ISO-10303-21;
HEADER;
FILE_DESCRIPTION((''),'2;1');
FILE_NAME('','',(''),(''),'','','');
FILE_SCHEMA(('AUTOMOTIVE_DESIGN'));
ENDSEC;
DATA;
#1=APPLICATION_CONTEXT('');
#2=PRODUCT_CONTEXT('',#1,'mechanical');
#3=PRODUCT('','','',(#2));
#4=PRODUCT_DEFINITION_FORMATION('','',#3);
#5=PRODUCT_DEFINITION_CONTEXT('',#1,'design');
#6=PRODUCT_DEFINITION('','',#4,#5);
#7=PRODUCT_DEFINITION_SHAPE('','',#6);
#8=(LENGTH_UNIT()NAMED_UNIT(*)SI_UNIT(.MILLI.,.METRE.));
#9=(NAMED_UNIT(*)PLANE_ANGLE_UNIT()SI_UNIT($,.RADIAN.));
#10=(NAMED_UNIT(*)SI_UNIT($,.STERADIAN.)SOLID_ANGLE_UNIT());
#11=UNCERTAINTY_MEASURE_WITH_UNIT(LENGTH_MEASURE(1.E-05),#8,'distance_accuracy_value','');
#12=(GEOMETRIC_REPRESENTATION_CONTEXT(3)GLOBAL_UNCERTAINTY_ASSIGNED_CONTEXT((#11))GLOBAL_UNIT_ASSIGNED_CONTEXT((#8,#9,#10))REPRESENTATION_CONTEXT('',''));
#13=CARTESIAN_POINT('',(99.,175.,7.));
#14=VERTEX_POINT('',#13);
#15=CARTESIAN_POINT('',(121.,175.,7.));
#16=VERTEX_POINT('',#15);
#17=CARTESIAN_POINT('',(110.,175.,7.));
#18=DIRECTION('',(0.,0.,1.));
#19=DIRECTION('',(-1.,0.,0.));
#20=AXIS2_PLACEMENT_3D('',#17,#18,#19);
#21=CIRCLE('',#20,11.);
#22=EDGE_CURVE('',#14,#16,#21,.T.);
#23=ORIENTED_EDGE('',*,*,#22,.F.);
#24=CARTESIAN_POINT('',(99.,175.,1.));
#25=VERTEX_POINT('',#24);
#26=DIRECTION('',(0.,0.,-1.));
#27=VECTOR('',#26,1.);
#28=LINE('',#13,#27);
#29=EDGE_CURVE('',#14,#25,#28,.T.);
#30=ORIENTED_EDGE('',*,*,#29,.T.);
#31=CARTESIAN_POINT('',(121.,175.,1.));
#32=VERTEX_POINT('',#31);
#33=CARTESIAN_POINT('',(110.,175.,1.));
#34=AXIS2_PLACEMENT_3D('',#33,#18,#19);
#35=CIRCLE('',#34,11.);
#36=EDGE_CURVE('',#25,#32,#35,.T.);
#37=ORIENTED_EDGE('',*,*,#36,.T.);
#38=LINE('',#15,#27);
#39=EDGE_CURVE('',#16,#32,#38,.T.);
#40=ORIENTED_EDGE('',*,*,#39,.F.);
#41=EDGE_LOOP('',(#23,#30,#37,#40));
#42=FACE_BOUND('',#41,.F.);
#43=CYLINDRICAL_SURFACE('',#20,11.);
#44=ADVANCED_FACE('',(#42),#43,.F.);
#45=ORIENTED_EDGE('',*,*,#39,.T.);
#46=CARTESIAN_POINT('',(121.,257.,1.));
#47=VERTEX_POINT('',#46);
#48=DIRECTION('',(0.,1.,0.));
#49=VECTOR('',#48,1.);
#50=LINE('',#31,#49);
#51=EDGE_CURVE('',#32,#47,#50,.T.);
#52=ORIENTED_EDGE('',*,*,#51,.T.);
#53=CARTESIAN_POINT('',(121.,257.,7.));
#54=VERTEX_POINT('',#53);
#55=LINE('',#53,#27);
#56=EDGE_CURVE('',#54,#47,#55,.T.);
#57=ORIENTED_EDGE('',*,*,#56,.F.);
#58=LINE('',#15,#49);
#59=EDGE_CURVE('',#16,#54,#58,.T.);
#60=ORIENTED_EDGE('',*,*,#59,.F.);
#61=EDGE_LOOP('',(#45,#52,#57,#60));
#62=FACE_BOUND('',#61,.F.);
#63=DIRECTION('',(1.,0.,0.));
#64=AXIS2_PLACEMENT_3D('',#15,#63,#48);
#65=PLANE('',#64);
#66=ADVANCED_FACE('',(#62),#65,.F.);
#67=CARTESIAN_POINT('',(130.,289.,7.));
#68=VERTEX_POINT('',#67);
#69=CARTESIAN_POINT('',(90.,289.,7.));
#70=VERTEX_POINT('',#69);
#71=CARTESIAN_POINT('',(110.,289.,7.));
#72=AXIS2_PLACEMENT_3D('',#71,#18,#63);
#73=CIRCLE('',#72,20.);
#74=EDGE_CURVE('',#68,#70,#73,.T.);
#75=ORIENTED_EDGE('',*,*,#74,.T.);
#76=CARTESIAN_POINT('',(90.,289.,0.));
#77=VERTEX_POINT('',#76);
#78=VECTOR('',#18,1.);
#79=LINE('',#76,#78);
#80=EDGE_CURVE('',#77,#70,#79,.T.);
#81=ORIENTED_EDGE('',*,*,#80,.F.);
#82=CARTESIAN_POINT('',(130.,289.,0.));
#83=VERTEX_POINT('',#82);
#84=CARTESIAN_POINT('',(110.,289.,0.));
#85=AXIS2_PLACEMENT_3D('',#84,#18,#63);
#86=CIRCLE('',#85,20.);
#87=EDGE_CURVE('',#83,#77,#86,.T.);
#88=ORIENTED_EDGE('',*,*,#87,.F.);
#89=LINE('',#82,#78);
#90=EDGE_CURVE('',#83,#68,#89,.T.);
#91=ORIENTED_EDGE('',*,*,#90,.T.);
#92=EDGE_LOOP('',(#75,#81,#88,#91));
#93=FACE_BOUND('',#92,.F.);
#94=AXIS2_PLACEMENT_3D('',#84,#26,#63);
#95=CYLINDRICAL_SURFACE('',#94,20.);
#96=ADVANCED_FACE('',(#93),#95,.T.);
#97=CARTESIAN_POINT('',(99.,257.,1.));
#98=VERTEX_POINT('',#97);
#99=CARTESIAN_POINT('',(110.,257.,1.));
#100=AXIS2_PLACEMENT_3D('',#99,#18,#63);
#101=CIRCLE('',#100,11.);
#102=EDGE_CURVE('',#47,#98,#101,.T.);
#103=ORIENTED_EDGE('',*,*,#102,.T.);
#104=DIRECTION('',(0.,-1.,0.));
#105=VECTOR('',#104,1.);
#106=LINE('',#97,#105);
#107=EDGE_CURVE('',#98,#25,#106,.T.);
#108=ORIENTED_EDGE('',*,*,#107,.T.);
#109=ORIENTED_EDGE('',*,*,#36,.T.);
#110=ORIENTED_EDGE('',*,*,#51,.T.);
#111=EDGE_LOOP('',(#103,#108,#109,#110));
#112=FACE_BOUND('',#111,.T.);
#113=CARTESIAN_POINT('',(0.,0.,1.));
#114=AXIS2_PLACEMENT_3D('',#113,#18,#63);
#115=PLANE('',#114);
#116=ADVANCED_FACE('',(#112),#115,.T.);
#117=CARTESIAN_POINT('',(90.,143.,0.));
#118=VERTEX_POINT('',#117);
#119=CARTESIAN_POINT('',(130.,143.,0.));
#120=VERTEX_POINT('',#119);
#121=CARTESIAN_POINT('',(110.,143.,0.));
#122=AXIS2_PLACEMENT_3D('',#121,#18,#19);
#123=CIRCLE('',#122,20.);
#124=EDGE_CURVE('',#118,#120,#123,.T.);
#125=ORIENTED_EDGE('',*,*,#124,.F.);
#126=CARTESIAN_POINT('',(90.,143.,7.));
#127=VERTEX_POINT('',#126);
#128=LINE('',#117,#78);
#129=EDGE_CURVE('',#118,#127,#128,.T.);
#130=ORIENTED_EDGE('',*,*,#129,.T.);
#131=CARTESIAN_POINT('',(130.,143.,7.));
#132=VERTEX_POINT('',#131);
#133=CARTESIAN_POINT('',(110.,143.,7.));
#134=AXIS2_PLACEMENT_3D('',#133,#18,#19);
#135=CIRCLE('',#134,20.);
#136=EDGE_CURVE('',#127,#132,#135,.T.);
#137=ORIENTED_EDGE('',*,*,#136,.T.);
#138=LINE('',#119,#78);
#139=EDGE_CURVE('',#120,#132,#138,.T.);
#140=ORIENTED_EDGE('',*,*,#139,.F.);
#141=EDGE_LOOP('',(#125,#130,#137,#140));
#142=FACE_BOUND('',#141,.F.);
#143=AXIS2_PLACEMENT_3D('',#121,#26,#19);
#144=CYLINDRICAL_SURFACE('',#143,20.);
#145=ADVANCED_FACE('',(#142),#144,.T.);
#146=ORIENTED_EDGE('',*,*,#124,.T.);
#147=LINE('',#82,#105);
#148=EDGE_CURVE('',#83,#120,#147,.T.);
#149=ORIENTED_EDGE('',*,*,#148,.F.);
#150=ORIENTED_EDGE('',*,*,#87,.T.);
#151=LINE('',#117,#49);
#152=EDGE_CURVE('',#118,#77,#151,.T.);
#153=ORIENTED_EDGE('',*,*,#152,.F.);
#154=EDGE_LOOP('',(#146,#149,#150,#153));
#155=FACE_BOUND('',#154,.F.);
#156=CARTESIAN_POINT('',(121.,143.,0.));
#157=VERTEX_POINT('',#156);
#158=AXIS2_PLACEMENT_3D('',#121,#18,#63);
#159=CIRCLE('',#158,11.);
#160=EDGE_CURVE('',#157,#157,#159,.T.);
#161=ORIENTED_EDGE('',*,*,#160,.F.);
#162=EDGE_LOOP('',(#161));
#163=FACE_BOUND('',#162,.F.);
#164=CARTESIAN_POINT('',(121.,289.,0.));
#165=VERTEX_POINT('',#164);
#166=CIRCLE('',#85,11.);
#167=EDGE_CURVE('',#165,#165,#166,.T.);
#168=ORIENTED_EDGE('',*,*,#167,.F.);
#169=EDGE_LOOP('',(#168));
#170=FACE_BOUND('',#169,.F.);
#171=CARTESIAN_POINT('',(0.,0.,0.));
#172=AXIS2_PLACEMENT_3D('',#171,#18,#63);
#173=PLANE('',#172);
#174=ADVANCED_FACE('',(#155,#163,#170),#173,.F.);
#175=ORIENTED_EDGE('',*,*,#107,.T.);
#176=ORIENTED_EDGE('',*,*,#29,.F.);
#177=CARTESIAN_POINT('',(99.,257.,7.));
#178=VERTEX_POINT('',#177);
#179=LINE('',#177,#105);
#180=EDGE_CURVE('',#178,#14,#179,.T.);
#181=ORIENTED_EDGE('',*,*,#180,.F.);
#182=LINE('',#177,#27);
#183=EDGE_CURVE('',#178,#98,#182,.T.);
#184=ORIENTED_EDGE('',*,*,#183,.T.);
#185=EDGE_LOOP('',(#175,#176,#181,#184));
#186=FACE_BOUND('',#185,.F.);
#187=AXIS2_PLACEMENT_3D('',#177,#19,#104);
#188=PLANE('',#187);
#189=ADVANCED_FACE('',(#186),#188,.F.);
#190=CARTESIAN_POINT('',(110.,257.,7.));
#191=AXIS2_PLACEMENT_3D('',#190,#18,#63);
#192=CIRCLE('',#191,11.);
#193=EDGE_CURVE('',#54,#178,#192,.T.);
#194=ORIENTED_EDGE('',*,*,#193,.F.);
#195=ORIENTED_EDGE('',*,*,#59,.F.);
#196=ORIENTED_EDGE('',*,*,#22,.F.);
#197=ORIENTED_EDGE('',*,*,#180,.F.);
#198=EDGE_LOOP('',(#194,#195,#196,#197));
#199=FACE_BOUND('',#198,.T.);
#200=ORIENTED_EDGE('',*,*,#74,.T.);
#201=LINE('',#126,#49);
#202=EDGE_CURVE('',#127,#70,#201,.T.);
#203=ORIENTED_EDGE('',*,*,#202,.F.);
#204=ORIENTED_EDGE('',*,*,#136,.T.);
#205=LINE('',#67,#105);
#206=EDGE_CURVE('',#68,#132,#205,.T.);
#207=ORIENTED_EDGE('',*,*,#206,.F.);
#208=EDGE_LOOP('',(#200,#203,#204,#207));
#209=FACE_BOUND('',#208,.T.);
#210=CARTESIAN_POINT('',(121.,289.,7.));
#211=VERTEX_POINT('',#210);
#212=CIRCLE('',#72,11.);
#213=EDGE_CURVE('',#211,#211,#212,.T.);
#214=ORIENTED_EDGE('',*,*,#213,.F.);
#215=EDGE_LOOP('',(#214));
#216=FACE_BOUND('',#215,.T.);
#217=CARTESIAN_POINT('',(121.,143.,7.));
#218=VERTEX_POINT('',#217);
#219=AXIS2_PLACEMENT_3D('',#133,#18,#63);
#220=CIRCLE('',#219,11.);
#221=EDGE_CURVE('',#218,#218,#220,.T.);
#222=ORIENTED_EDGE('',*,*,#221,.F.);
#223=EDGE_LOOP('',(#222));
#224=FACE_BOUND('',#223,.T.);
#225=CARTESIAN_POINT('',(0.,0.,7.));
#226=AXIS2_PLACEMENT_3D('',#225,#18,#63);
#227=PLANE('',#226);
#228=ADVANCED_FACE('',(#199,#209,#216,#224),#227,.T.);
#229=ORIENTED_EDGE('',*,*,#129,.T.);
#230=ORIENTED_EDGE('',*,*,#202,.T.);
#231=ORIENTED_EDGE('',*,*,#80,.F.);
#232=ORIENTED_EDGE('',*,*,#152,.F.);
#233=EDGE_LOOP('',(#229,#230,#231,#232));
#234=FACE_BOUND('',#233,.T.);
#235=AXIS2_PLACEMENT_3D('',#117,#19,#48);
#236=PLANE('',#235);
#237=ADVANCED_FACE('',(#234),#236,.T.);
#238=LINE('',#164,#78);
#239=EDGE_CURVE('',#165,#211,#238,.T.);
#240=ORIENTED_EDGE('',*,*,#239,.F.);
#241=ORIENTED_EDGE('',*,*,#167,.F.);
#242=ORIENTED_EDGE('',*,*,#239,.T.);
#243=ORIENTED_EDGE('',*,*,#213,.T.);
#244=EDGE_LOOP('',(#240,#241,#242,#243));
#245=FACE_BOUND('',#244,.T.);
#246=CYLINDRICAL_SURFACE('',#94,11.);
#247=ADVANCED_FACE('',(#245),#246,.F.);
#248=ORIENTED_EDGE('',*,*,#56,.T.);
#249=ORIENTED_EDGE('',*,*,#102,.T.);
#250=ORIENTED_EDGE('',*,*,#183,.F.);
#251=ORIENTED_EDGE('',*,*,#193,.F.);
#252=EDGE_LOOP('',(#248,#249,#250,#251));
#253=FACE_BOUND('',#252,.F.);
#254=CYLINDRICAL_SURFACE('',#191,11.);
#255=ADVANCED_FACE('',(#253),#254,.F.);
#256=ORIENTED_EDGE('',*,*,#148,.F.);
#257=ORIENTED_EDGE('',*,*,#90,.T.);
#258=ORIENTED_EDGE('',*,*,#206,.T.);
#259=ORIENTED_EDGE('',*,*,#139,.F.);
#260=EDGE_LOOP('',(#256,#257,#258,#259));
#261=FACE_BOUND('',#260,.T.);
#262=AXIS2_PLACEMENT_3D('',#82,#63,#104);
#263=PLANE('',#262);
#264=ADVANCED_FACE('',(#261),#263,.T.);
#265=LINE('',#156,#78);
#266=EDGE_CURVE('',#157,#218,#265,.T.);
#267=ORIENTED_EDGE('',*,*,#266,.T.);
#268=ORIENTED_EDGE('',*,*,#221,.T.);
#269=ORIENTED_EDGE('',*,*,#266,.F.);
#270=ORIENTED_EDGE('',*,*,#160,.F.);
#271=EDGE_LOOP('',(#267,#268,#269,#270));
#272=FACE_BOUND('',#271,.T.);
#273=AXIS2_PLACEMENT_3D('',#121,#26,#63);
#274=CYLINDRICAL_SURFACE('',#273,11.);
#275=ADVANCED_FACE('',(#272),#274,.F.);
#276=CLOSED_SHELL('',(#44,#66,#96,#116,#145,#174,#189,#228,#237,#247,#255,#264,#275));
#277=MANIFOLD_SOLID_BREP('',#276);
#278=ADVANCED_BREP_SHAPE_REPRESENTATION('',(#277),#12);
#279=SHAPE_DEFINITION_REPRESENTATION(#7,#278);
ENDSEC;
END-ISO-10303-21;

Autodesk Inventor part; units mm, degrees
ref_plane "YZ Plane" through (0, 0, 0) normal (1, 0, 0) x (0, 1, 0)
ref_plane "XZ Plane" through (0, 0, 0) normal (0, 1, 0) x (-1, 0, 0)
ref_plane "XY Plane" through (0, 0, 0) normal (0, 0, 1) x (1, 0, 0)
sketch "Sketch1" plane through (0, 0, 0) normal (0, 0, 1) x (1, 0, 0)
  line L0 (0, 0) -> (220, 0) construction
  line L1 (220, 0) -> (220, 9) construction
  line L2 (220, 9) -> (0, 9) construction
  line L3 (0, 9) -> (0, 0) construction
  line L4 (0, 9) -> (90.94, 295.0593) construction
  line L5 (129.06, 295.0593) -> (220, 9) construction
  circle A0 centre (110, 289) radius 11 construction
  line L6 (96.1101, 281.616) -> (103.5522, 305.0259) construction
  arc A1 (129.06, 295.0593) -> (90.94, 295.0593) centre (110, 289) ccw construction
  line L7 (99, 275.5567) -> (99, 269.1274) construction
  line L8 (110, 289) -> (110, 143) construction
  line L9 (130, 289) -> (130, 143)
  line L10 (90, 143) -> (90, 289)
  arc A2 (130, 289) -> (90, 289) centre (110, 289) ccw
  arc A3 (90, 143) -> (130, 143) centre (110, 143) ccw
  line L11 (292.2692, 143) -> (292.2692, 247) construction
  line L12 (312.2692, 143) -> (312.2692, 247) construction
  line L13 (272.2692, 247) -> (272.2692, 143) construction
  arc A4 (272.2692, 143) -> (312.2692, 143) centre (292.2692, 143) ccw construction
  arc A5 (312.2692, 247) -> (272.2692, 247) centre (292.2692, 247) ccw construction
  arc A6 (90, 289) -> (130, 289) centre (110, 289) ccw construction
  line L14 (101.1908, 269) -> (118.8092, 269) construction
  line L15 (211.2941, 267) -> (373.2442, 267) construction
  line L16 (211.2941, 143) -> (373.2442, 143) construction
  line L17 (292.2692, 143) -> (292.2692, 39) construction
  line L18 (312.2692, 143) -> (312.2692, 39) construction
  line L19 (272.2692, 39) -> (272.2692, 143) construction
  arc A7 (312.2692, 143) -> (272.2692, 143) centre (292.2692, 143) ccw construction
  arc A8 (272.2692, 39) -> (312.2692, 39) centre (292.2692, 39) ccw construction
  line L20 (211.2941, 19) -> (373.2442, 19) construction
  circle A9 centre (110, 289) radius 11
  circle A10 centre (110, 143) radius 11
  point P0 (110, 0)
  point P1 (110, 216)
  point P2 (110, 309)
  point P3 (292.2692, 195)
  point P4 (110, 269)
  point P5 (110, 269)
  point P6 (292.2692, 267)
  dimension "d0" = 9
  dimension "d1" = 220
  dimension "d2" = 22
  dimension "d3" = 280
  dimension "d4" = 9
  dimension "d7" = 40
  dimension "d8" = 40
  dimension "pendgap" = 2
  dimension "abovethefloor" = 10
  dimension "d11" = 104
  dimension "d12" = 146
  dimension "d14" = 22
extrude "Extrusion2" add sketch "Sketch1" along normal blind 7
sketch "Sketch3" plane through (0, 0, 7) normal (0, 0, 1) x (1, 0, 0)
  line L0 (110, 175) -> (110, 257) construction
  line L1 (90, 289) -> (90, 143) projected
  line L2 (121, 175) -> (121, 257)
  line L3 (99, 257) -> (99, 175)
  arc A0 (99, 175) -> (121, 175) centre (110, 175) ccw
  arc A1 (121, 257) -> (99, 257) centre (110, 257) ccw
  line L4 (110, 268) -> (110, 278) construction
  circle A2 centre (110, 289) radius 11 projected
  circle A3 centre (110, 289) radius 11 construction
  circle A4 centre (110, 143) radius 11 projected
  point P0 (0, 0)
  point P1 (110, 216)
  point P2 (90, 216)
  dimension "d18" = 10
extrude "Extrusion3" cut sketch "Sketch3" against normal blind 6
properties part number "DBP-2-pendulum1"
